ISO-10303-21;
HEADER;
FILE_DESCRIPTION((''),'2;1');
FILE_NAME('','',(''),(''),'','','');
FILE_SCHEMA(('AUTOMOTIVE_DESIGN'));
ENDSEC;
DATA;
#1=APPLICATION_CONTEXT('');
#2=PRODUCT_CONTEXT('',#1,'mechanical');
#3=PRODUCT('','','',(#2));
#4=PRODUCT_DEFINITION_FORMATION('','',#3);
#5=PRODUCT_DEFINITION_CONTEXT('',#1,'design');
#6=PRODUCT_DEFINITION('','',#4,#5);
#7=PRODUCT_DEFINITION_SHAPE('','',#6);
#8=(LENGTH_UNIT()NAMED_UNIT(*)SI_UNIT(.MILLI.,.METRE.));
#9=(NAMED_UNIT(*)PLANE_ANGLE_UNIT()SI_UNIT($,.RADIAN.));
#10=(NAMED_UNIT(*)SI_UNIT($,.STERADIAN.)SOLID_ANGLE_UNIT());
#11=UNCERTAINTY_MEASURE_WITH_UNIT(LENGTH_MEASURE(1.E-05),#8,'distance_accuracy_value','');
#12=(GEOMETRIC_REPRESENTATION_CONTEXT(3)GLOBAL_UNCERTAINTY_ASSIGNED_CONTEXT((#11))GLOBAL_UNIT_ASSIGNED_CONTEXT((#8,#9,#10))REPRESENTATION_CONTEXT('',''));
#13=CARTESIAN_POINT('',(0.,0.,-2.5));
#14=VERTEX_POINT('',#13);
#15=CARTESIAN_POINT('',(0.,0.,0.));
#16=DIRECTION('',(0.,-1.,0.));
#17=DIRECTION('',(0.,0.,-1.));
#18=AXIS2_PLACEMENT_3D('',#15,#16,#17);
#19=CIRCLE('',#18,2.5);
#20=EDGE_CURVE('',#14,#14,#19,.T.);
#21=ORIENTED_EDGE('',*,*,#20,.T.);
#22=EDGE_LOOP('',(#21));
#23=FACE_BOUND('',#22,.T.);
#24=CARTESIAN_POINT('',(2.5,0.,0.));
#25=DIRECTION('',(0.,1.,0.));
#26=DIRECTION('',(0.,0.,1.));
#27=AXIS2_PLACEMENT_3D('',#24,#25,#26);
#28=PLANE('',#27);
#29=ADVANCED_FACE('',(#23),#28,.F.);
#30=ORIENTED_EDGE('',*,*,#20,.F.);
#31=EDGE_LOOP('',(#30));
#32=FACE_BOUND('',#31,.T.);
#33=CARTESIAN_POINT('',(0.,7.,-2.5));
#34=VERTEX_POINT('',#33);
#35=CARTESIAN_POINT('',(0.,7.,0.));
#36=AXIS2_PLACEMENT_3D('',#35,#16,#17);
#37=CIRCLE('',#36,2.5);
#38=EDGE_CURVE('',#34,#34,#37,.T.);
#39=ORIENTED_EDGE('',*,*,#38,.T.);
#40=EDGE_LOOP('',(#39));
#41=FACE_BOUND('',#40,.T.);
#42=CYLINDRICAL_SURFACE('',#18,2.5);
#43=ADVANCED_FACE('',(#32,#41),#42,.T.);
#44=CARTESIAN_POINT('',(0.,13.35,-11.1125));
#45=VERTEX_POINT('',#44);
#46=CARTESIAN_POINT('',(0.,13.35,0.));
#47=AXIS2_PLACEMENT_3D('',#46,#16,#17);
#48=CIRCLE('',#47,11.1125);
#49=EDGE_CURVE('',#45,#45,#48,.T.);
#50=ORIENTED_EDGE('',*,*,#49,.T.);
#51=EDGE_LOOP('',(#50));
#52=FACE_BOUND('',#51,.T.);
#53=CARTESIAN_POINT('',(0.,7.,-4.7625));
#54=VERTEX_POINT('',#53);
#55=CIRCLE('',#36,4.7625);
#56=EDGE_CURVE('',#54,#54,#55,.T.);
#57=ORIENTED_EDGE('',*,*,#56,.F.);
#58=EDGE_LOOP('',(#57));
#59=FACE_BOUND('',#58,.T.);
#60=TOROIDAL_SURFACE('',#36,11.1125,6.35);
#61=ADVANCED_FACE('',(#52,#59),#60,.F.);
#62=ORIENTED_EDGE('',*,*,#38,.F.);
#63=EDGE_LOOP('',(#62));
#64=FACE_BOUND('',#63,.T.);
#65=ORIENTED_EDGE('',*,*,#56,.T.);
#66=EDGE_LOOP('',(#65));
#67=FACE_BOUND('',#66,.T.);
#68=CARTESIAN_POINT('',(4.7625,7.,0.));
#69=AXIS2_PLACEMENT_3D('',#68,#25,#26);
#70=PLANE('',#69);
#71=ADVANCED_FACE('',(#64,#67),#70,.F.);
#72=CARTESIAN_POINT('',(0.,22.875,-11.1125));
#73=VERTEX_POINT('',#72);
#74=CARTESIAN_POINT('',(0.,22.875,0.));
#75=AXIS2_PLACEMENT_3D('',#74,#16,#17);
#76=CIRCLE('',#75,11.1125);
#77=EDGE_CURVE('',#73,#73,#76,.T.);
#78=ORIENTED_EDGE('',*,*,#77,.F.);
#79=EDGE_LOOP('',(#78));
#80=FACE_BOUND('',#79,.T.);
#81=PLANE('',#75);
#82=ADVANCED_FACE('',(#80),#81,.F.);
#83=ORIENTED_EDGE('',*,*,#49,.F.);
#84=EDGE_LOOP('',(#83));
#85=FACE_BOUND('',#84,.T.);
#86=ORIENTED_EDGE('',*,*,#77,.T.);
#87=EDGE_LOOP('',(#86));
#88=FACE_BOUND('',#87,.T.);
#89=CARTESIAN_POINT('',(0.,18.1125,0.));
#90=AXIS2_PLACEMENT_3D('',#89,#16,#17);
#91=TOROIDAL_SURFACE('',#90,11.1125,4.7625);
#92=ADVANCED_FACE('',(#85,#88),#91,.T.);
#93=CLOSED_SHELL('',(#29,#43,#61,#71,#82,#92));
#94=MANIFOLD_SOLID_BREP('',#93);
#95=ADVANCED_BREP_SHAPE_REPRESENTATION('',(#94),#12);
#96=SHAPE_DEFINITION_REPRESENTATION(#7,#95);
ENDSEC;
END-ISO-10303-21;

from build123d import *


with BuildPart() as part:
    # Sketch1 → Base-Revolve (revolve)
    with BuildSketch(Plane.XY):
        with BuildLine():
            Line((0, 0), (0, 22.875))
            Line((0, 22.875), (11.1125, 22.875))
            ThreePointArc((11.1125, 22.875), (15.875, 18.1125), (11.1125, 13.35))
            ThreePointArc((11.1125, 13.35), (6.622371939, 11.490128061), (4.7625, 7))
            Line((4.7625, 7), (2.5, 7))
            Line((2.5, 7), (2.5, 0))
            Line((2.5, 0), (0, 0))
        make_face()
    revolve(axis=Axis((0, 0, 0), (0, 1, 0)))


solid = part.part
